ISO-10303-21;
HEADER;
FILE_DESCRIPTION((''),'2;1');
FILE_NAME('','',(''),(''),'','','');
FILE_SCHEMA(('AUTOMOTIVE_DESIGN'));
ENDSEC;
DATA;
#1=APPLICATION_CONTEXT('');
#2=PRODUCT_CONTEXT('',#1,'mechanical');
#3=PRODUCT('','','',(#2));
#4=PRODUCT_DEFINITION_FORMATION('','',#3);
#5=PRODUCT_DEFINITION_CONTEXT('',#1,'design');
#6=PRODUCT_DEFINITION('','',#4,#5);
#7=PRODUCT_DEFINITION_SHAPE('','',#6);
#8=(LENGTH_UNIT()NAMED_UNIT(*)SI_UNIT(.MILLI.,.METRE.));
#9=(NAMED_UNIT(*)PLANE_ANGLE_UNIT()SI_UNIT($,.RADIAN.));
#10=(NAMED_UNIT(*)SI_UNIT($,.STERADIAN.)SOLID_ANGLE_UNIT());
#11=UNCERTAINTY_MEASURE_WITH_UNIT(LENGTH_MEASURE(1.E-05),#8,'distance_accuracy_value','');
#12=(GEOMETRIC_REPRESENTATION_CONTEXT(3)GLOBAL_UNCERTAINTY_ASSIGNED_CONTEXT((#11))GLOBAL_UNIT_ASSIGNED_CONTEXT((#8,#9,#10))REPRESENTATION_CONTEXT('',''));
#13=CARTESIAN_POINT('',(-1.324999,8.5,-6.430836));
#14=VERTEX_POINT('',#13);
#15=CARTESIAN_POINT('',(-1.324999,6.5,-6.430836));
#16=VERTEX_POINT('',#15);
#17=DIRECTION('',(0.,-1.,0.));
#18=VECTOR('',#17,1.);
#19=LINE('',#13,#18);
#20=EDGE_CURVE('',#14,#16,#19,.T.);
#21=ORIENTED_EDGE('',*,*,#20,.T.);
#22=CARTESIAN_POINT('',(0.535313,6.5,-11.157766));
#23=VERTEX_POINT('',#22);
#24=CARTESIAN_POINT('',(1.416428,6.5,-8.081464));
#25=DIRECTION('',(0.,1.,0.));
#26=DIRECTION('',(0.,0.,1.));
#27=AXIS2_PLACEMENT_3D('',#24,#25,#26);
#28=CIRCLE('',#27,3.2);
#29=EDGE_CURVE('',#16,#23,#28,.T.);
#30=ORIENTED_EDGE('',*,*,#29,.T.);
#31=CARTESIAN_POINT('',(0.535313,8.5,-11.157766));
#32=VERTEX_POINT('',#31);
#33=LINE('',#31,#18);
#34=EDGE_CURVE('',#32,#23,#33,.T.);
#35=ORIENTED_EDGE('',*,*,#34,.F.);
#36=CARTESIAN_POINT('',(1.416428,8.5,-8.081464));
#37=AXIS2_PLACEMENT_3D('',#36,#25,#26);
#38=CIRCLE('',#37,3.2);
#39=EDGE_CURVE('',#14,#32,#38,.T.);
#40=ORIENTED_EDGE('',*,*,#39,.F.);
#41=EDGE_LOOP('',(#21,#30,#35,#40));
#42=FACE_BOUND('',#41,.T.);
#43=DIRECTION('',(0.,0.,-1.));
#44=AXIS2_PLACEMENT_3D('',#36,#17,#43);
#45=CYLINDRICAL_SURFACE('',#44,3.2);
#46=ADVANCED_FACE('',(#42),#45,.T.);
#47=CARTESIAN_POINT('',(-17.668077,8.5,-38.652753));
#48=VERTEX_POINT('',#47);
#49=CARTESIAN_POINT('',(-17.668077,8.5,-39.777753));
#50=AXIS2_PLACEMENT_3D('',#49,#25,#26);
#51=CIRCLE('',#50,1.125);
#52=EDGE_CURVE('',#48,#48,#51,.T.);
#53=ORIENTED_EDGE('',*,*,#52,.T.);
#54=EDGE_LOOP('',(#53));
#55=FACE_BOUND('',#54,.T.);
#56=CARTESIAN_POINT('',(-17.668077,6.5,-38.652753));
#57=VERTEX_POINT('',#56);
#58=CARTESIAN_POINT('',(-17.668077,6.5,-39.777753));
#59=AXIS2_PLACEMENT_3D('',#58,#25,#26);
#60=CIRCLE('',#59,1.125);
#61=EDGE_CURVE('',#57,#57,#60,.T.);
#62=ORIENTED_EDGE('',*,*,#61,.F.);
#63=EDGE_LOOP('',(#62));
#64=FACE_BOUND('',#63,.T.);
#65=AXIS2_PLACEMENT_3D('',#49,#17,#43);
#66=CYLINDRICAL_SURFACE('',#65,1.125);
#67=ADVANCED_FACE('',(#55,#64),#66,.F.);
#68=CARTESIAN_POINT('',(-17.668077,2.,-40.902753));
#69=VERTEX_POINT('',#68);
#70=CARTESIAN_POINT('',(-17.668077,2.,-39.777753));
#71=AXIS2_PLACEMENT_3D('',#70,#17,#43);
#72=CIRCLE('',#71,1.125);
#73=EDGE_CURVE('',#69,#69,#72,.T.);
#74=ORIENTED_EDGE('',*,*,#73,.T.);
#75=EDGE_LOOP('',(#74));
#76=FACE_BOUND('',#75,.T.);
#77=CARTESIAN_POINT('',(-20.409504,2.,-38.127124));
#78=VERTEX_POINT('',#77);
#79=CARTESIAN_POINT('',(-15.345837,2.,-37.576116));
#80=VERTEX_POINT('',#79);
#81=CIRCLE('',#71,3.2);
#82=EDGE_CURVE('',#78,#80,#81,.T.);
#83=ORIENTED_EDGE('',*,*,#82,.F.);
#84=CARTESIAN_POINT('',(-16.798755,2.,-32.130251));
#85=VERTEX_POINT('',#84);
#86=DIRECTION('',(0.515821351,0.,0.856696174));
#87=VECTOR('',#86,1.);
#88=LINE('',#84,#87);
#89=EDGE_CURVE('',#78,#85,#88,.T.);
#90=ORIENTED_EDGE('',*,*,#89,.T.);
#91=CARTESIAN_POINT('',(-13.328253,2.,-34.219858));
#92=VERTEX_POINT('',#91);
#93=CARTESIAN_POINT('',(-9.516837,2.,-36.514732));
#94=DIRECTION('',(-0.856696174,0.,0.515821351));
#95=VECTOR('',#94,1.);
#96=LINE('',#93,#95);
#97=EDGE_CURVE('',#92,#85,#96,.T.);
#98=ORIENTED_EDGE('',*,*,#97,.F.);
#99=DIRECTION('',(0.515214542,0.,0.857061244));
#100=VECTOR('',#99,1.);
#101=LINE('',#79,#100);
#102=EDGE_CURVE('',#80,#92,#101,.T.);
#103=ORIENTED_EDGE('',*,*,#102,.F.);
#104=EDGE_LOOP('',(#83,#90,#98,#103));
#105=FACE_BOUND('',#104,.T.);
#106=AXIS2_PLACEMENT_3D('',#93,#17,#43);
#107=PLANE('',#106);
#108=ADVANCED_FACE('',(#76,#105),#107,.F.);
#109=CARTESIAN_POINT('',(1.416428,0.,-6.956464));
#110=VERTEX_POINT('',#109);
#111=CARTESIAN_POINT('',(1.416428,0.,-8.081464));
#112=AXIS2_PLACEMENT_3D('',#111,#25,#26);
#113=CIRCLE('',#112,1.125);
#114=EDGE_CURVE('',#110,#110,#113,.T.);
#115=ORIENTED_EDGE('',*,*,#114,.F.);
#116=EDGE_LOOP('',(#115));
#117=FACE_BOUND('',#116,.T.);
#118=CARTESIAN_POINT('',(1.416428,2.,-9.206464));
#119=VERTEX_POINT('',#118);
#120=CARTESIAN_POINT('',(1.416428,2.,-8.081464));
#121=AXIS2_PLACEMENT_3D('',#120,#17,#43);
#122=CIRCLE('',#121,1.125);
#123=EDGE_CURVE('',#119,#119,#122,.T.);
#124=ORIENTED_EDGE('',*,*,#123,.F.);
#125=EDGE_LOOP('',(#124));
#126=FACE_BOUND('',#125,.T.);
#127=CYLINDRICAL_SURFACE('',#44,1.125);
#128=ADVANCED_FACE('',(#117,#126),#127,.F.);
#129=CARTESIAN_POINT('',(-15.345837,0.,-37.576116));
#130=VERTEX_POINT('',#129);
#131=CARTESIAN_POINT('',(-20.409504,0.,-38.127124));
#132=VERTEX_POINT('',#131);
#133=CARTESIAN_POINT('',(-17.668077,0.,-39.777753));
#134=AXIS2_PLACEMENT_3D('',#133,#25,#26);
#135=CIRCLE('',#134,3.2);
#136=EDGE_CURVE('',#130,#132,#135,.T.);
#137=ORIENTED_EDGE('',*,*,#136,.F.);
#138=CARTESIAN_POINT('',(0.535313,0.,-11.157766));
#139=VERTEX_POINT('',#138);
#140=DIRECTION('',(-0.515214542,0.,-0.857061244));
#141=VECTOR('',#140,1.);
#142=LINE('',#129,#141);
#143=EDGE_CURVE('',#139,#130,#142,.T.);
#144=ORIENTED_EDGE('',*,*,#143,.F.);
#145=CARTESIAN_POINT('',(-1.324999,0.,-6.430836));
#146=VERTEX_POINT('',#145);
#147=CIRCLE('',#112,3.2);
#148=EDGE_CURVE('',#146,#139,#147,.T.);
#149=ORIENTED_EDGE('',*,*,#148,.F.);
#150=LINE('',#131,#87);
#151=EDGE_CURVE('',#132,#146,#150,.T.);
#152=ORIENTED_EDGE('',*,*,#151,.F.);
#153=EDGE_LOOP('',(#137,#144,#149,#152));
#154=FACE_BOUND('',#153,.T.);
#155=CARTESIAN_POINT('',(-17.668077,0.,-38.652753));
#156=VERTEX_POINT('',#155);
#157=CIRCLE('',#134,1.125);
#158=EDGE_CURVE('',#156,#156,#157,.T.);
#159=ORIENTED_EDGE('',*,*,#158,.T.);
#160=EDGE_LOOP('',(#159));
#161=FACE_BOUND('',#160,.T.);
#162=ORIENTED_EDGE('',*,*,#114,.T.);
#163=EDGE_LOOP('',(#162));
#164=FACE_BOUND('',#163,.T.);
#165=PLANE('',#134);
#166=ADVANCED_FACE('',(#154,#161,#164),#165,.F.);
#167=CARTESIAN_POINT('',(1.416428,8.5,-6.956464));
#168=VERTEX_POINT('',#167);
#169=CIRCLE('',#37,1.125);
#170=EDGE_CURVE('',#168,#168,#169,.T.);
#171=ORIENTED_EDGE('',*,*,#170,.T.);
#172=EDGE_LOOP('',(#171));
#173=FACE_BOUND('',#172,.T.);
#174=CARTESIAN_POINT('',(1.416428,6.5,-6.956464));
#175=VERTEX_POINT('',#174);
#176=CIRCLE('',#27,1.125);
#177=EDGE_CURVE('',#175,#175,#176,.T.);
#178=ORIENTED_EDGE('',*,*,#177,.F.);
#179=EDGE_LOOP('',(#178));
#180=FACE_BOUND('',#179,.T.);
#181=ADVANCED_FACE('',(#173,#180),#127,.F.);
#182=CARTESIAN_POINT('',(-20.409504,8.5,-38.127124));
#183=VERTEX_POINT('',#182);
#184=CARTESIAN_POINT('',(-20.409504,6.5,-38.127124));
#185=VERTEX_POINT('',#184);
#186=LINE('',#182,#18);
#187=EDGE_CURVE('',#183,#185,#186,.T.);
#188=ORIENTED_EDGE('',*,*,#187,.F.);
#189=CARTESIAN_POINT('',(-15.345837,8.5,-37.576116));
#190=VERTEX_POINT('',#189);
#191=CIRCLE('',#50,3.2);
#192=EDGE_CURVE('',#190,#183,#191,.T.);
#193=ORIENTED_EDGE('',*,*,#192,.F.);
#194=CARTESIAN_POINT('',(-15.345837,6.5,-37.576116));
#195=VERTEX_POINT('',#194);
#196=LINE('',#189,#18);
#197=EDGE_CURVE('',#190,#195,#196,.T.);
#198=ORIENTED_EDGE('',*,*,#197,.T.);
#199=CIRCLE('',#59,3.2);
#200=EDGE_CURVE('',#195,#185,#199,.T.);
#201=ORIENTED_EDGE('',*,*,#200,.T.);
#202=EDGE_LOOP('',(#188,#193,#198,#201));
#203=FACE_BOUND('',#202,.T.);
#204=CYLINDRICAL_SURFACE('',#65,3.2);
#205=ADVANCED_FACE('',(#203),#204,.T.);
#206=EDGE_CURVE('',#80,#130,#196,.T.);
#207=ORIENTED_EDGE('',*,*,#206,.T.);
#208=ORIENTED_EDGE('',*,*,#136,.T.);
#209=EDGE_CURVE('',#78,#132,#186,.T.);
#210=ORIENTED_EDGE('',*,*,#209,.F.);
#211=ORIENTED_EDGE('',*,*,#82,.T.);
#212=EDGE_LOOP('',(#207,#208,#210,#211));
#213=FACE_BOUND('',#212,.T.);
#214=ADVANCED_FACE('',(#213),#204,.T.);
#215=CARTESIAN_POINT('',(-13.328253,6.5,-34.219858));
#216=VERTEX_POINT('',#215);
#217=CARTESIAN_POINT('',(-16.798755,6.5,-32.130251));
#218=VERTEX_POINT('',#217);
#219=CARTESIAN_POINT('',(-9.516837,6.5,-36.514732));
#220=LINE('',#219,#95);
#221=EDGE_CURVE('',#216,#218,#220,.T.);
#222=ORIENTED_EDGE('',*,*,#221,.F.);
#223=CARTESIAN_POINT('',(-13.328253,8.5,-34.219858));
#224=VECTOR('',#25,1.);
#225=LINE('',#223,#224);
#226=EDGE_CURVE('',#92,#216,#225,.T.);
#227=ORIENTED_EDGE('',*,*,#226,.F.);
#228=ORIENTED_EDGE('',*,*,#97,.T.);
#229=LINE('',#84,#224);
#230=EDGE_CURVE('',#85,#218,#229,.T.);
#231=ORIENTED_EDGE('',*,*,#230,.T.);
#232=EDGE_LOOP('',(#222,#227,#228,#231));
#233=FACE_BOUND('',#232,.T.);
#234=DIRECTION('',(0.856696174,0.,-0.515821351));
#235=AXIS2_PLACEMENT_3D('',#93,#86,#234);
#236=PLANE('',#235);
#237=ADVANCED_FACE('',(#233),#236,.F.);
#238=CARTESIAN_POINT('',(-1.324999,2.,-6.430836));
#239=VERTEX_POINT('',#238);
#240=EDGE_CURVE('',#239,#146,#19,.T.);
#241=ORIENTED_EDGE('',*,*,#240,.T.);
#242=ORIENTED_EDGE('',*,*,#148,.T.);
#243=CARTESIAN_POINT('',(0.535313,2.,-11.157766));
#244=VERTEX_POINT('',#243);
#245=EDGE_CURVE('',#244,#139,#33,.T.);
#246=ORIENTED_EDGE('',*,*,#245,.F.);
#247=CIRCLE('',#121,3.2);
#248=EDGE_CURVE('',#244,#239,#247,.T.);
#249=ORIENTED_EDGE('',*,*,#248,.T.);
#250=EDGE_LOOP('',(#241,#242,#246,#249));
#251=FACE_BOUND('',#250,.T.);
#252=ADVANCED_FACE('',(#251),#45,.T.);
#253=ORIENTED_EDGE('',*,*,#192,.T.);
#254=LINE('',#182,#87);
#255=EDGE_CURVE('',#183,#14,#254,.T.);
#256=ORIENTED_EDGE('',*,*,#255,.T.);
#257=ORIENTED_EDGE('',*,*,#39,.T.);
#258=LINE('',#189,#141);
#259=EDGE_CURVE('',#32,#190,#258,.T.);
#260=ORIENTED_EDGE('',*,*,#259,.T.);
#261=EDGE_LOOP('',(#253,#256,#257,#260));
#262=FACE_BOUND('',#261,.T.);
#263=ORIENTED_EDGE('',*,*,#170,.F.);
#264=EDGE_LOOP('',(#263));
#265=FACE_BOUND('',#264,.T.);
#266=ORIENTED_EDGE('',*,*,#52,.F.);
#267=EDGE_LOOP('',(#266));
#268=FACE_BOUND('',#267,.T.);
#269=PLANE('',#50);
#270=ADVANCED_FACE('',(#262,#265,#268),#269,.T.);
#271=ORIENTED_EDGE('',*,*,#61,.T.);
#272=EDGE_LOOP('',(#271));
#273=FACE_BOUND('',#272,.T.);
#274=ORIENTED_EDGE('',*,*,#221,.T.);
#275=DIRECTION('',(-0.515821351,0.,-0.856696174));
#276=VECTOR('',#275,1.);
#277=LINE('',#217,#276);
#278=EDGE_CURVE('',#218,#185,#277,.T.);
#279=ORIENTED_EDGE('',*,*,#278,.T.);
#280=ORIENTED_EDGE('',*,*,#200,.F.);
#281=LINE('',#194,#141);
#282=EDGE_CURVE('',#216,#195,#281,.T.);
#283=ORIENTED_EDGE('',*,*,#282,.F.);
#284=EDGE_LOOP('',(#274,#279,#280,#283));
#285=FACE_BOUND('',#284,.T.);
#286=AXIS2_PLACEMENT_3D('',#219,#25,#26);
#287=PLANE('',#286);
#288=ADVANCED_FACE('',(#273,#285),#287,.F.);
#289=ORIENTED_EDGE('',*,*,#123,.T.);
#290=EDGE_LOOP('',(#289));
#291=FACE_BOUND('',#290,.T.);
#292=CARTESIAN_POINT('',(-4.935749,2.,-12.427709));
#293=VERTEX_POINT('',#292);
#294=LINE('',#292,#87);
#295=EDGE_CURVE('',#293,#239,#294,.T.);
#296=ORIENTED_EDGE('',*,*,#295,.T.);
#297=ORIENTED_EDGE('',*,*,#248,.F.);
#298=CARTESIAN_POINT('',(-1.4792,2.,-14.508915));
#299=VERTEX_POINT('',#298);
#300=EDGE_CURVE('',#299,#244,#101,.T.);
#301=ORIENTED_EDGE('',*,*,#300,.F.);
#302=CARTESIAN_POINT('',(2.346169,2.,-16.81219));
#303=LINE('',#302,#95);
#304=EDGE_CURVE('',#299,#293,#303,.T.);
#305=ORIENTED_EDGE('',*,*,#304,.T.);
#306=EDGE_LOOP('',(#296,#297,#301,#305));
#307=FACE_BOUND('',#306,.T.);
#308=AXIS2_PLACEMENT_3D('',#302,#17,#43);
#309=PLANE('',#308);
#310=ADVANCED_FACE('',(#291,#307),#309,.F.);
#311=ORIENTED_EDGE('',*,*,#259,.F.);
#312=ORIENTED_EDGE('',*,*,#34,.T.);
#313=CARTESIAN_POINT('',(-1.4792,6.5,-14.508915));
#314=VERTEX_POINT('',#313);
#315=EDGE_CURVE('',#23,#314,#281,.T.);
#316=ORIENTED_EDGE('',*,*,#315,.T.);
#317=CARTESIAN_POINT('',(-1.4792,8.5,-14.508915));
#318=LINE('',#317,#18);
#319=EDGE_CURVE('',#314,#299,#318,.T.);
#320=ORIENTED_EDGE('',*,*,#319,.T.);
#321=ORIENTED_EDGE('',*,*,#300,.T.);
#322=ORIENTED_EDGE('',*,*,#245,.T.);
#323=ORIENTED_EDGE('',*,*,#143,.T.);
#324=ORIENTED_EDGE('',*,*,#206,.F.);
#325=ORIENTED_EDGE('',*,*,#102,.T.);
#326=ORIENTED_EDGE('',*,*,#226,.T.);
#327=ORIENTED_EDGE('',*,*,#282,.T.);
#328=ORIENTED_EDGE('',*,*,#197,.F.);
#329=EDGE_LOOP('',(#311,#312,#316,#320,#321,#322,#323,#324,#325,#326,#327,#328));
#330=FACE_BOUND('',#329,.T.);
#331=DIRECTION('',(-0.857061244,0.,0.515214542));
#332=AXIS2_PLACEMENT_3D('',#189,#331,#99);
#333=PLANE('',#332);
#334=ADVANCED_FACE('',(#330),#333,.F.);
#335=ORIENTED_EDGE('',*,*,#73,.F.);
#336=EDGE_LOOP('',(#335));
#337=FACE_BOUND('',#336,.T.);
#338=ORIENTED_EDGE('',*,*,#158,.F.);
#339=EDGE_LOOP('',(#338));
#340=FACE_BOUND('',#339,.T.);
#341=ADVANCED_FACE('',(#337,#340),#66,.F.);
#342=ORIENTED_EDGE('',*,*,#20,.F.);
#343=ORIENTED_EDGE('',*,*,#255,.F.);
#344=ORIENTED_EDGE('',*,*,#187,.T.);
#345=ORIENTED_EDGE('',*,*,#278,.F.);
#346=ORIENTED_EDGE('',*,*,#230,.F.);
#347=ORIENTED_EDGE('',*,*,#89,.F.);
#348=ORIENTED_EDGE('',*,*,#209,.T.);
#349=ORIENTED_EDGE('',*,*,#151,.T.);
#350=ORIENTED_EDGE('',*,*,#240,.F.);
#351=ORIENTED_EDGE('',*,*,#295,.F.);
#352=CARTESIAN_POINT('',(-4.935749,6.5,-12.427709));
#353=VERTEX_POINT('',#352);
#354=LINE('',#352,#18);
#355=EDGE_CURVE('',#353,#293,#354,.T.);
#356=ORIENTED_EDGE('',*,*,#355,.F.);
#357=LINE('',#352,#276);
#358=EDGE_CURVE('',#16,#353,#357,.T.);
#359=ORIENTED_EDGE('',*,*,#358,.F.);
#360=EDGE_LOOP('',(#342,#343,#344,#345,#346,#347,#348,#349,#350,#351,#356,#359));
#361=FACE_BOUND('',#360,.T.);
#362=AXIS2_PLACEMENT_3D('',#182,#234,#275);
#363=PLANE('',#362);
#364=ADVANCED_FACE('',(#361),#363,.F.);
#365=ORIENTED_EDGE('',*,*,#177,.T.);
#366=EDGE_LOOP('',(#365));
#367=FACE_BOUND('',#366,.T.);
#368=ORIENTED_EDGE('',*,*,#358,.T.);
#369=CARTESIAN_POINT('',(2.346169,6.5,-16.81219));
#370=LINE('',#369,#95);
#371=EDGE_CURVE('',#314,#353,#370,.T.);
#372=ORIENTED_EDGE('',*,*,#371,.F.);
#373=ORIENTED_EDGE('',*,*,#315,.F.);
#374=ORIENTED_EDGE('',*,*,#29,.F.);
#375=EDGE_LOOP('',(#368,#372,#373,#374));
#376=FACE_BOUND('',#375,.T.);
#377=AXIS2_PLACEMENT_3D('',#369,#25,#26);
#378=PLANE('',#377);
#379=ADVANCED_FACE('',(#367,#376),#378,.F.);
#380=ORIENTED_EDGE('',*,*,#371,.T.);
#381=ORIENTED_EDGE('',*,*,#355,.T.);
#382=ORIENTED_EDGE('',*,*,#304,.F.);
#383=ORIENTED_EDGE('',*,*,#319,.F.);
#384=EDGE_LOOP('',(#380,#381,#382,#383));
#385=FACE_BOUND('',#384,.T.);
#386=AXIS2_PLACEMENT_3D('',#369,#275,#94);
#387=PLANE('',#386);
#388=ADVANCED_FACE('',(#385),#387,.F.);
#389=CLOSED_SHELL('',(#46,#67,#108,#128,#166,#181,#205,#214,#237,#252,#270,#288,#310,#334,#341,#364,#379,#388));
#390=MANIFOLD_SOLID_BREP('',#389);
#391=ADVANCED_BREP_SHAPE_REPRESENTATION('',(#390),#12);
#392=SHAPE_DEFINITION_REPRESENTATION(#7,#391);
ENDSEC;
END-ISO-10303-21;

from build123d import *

# Parameters (mm, degrees)
SKETCH1_R           = 1.125
BOSS_EXTRUDE8_DEPTH = 8.5
SKETCH7_W           = 21.266336275
SKETCH7_H           = 4.5
SKETCH7_W_2         = 16.445168877
CUT_EXTRUDE4_DEPTH  = 8.5


with BuildPart() as part:
    # Sketch1 → Boss-Extrude8 (new body)
    with BuildSketch(Plane(origin=(0, 0, 0), x_dir=(1, 0, 0), z_dir=(0, 1, 0))):
        with BuildLine():
            Line((-20.409504298, 38.12712418), (-1.324999325, 6.430835597))
            ThreePointArc((-1.324999325, 6.430835597), (4.394124385, 6.909573649), (0.535312803, 11.157766123))
            Line((0.535312803, 11.157766123), (-15.345836995, 37.576115954))
            ThreePointArc((-15.345836995, 37.576115954), (-17.321908656, 42.958973619), (-20.409504298, 38.12712418))
        make_face()
        with Locations(Location((-17.668076542, 39.777752502, 0), (0, 0, 270))):
            Circle(SKETCH1_R, mode=Mode.SUBTRACT)
        with Locations(Location((1.416428431, 8.08146392, 0), (0, 0, 270))):
            Circle(SKETCH1_R, mode=Mode.SUBTRACT)
    extrude(amount=BOSS_EXTRUDE8_DEPTH)

    # Sketch7 → Cut-Extrude4 (cut)
    with BuildSketch(Plane(origin=(1.869345706, 0, -1.125543053), x_dir=(0.5158213506967773, 0, 0.8566961737777006), z_dir=(-0.8566961737777007, 0, 0.5158213506967774))):
        with Locations((-46.824187614, 4.25)):
            Rectangle(SKETCH7_W, SKETCH7_H)
        with Locations((-4.970150754, 4.25)):
            Rectangle(SKETCH7_W_2, SKETCH7_H)
    extrude(amount=-CUT_EXTRUDE4_DEPTH, mode=Mode.SUBTRACT)


solid = part.part
